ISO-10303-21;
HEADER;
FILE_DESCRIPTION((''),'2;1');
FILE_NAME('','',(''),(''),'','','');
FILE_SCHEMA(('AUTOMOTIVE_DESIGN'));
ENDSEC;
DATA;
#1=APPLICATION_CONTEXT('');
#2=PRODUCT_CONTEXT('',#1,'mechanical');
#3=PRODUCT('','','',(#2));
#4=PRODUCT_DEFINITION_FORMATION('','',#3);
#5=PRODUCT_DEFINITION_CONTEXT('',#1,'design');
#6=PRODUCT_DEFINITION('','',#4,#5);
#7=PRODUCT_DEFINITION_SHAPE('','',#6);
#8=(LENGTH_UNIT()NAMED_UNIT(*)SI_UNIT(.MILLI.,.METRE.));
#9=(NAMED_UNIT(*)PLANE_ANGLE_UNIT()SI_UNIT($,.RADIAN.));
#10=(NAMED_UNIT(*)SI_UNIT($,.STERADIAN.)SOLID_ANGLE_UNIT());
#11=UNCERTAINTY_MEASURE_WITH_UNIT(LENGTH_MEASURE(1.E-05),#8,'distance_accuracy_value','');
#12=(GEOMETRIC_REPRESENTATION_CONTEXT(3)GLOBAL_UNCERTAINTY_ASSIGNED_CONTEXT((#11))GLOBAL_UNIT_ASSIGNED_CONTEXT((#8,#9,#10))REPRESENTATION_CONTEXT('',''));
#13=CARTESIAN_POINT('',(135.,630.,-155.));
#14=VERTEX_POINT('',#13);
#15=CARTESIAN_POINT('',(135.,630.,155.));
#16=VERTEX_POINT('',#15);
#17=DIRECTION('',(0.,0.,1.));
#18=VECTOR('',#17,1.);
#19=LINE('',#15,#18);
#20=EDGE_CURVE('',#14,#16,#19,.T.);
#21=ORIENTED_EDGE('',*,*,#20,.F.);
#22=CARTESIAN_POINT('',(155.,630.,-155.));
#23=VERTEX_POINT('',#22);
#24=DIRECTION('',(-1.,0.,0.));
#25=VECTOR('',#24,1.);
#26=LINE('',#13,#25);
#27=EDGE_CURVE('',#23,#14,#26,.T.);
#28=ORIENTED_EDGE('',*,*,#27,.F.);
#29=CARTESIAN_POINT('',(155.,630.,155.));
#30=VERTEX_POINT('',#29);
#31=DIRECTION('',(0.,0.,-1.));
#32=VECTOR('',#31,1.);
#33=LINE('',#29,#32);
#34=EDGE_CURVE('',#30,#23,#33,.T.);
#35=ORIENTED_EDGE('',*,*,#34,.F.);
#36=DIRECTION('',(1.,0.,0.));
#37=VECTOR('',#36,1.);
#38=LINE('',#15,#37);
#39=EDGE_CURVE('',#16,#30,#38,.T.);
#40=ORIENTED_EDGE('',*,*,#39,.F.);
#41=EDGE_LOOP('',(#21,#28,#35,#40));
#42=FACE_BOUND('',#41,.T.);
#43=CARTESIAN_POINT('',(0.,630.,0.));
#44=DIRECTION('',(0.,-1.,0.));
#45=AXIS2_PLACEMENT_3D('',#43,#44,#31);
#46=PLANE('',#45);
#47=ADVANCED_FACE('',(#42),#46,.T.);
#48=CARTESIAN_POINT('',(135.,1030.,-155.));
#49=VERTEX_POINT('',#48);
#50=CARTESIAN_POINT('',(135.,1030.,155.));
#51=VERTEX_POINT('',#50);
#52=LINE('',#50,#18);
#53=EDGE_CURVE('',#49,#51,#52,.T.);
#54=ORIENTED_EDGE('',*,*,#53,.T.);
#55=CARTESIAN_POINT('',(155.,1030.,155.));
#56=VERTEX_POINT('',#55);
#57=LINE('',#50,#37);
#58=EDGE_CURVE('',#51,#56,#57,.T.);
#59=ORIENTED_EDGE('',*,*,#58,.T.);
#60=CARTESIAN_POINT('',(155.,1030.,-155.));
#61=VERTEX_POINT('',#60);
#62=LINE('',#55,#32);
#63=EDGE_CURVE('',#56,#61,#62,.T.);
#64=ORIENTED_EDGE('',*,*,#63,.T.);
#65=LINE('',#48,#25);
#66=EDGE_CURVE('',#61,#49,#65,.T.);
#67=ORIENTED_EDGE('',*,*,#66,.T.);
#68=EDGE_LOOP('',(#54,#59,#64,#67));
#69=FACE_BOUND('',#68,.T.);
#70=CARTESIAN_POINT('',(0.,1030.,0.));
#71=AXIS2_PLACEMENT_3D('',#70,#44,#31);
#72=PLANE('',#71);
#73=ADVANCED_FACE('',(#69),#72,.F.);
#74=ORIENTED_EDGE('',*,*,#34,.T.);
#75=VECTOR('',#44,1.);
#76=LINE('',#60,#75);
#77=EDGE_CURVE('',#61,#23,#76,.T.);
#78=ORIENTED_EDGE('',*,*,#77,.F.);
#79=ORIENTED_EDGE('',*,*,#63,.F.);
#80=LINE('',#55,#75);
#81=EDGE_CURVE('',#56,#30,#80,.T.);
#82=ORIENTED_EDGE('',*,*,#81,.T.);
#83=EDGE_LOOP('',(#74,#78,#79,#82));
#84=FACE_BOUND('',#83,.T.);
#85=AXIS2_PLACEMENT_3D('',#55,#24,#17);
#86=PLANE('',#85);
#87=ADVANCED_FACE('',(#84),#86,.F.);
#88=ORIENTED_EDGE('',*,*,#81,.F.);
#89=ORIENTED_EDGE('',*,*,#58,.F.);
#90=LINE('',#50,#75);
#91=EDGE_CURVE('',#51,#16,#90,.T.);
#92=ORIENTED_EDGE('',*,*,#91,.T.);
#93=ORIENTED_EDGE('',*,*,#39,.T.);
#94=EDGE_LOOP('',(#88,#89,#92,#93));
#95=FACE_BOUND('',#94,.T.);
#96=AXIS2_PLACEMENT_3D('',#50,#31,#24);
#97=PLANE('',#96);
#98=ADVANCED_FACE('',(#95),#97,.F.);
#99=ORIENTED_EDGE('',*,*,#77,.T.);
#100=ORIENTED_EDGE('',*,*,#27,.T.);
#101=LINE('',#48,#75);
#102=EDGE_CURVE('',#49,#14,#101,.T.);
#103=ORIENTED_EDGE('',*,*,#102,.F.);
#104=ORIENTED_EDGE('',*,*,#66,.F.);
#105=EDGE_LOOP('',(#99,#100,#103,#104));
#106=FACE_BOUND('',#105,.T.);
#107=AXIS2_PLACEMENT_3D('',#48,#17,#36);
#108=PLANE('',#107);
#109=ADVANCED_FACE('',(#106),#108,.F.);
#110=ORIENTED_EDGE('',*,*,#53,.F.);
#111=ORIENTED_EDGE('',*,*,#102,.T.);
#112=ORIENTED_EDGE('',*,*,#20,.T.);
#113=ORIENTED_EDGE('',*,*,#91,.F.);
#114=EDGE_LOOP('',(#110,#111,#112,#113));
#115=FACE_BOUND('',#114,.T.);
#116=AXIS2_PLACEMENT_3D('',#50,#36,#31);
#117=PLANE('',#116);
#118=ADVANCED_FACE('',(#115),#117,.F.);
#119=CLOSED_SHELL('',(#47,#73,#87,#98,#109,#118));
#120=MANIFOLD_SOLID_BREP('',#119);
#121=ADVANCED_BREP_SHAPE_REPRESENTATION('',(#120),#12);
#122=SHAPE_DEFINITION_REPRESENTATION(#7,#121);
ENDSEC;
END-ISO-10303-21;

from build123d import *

# Parameters (mm, degrees)
SKCAJASUJETADORAESTE_W   = 20
SKCAJASUJETADORAESTE_H   = 310
CAJASUJETADORAESTE_DEPTH = 400


with BuildPart() as part:
    # SkCajaSujetadoraEste → CajaSujetadoraEste (new body)
    with BuildSketch(Plane(origin=(0, 630, 0), x_dir=(1, 0, 0), z_dir=(0, 1, 0))):
        with Locations((145, 0)):
            Rectangle(SKCAJASUJETADORAESTE_W, SKCAJASUJETADORAESTE_H)
    extrude(amount=CAJASUJETADORAESTE_DEPTH)


solid = part.part
